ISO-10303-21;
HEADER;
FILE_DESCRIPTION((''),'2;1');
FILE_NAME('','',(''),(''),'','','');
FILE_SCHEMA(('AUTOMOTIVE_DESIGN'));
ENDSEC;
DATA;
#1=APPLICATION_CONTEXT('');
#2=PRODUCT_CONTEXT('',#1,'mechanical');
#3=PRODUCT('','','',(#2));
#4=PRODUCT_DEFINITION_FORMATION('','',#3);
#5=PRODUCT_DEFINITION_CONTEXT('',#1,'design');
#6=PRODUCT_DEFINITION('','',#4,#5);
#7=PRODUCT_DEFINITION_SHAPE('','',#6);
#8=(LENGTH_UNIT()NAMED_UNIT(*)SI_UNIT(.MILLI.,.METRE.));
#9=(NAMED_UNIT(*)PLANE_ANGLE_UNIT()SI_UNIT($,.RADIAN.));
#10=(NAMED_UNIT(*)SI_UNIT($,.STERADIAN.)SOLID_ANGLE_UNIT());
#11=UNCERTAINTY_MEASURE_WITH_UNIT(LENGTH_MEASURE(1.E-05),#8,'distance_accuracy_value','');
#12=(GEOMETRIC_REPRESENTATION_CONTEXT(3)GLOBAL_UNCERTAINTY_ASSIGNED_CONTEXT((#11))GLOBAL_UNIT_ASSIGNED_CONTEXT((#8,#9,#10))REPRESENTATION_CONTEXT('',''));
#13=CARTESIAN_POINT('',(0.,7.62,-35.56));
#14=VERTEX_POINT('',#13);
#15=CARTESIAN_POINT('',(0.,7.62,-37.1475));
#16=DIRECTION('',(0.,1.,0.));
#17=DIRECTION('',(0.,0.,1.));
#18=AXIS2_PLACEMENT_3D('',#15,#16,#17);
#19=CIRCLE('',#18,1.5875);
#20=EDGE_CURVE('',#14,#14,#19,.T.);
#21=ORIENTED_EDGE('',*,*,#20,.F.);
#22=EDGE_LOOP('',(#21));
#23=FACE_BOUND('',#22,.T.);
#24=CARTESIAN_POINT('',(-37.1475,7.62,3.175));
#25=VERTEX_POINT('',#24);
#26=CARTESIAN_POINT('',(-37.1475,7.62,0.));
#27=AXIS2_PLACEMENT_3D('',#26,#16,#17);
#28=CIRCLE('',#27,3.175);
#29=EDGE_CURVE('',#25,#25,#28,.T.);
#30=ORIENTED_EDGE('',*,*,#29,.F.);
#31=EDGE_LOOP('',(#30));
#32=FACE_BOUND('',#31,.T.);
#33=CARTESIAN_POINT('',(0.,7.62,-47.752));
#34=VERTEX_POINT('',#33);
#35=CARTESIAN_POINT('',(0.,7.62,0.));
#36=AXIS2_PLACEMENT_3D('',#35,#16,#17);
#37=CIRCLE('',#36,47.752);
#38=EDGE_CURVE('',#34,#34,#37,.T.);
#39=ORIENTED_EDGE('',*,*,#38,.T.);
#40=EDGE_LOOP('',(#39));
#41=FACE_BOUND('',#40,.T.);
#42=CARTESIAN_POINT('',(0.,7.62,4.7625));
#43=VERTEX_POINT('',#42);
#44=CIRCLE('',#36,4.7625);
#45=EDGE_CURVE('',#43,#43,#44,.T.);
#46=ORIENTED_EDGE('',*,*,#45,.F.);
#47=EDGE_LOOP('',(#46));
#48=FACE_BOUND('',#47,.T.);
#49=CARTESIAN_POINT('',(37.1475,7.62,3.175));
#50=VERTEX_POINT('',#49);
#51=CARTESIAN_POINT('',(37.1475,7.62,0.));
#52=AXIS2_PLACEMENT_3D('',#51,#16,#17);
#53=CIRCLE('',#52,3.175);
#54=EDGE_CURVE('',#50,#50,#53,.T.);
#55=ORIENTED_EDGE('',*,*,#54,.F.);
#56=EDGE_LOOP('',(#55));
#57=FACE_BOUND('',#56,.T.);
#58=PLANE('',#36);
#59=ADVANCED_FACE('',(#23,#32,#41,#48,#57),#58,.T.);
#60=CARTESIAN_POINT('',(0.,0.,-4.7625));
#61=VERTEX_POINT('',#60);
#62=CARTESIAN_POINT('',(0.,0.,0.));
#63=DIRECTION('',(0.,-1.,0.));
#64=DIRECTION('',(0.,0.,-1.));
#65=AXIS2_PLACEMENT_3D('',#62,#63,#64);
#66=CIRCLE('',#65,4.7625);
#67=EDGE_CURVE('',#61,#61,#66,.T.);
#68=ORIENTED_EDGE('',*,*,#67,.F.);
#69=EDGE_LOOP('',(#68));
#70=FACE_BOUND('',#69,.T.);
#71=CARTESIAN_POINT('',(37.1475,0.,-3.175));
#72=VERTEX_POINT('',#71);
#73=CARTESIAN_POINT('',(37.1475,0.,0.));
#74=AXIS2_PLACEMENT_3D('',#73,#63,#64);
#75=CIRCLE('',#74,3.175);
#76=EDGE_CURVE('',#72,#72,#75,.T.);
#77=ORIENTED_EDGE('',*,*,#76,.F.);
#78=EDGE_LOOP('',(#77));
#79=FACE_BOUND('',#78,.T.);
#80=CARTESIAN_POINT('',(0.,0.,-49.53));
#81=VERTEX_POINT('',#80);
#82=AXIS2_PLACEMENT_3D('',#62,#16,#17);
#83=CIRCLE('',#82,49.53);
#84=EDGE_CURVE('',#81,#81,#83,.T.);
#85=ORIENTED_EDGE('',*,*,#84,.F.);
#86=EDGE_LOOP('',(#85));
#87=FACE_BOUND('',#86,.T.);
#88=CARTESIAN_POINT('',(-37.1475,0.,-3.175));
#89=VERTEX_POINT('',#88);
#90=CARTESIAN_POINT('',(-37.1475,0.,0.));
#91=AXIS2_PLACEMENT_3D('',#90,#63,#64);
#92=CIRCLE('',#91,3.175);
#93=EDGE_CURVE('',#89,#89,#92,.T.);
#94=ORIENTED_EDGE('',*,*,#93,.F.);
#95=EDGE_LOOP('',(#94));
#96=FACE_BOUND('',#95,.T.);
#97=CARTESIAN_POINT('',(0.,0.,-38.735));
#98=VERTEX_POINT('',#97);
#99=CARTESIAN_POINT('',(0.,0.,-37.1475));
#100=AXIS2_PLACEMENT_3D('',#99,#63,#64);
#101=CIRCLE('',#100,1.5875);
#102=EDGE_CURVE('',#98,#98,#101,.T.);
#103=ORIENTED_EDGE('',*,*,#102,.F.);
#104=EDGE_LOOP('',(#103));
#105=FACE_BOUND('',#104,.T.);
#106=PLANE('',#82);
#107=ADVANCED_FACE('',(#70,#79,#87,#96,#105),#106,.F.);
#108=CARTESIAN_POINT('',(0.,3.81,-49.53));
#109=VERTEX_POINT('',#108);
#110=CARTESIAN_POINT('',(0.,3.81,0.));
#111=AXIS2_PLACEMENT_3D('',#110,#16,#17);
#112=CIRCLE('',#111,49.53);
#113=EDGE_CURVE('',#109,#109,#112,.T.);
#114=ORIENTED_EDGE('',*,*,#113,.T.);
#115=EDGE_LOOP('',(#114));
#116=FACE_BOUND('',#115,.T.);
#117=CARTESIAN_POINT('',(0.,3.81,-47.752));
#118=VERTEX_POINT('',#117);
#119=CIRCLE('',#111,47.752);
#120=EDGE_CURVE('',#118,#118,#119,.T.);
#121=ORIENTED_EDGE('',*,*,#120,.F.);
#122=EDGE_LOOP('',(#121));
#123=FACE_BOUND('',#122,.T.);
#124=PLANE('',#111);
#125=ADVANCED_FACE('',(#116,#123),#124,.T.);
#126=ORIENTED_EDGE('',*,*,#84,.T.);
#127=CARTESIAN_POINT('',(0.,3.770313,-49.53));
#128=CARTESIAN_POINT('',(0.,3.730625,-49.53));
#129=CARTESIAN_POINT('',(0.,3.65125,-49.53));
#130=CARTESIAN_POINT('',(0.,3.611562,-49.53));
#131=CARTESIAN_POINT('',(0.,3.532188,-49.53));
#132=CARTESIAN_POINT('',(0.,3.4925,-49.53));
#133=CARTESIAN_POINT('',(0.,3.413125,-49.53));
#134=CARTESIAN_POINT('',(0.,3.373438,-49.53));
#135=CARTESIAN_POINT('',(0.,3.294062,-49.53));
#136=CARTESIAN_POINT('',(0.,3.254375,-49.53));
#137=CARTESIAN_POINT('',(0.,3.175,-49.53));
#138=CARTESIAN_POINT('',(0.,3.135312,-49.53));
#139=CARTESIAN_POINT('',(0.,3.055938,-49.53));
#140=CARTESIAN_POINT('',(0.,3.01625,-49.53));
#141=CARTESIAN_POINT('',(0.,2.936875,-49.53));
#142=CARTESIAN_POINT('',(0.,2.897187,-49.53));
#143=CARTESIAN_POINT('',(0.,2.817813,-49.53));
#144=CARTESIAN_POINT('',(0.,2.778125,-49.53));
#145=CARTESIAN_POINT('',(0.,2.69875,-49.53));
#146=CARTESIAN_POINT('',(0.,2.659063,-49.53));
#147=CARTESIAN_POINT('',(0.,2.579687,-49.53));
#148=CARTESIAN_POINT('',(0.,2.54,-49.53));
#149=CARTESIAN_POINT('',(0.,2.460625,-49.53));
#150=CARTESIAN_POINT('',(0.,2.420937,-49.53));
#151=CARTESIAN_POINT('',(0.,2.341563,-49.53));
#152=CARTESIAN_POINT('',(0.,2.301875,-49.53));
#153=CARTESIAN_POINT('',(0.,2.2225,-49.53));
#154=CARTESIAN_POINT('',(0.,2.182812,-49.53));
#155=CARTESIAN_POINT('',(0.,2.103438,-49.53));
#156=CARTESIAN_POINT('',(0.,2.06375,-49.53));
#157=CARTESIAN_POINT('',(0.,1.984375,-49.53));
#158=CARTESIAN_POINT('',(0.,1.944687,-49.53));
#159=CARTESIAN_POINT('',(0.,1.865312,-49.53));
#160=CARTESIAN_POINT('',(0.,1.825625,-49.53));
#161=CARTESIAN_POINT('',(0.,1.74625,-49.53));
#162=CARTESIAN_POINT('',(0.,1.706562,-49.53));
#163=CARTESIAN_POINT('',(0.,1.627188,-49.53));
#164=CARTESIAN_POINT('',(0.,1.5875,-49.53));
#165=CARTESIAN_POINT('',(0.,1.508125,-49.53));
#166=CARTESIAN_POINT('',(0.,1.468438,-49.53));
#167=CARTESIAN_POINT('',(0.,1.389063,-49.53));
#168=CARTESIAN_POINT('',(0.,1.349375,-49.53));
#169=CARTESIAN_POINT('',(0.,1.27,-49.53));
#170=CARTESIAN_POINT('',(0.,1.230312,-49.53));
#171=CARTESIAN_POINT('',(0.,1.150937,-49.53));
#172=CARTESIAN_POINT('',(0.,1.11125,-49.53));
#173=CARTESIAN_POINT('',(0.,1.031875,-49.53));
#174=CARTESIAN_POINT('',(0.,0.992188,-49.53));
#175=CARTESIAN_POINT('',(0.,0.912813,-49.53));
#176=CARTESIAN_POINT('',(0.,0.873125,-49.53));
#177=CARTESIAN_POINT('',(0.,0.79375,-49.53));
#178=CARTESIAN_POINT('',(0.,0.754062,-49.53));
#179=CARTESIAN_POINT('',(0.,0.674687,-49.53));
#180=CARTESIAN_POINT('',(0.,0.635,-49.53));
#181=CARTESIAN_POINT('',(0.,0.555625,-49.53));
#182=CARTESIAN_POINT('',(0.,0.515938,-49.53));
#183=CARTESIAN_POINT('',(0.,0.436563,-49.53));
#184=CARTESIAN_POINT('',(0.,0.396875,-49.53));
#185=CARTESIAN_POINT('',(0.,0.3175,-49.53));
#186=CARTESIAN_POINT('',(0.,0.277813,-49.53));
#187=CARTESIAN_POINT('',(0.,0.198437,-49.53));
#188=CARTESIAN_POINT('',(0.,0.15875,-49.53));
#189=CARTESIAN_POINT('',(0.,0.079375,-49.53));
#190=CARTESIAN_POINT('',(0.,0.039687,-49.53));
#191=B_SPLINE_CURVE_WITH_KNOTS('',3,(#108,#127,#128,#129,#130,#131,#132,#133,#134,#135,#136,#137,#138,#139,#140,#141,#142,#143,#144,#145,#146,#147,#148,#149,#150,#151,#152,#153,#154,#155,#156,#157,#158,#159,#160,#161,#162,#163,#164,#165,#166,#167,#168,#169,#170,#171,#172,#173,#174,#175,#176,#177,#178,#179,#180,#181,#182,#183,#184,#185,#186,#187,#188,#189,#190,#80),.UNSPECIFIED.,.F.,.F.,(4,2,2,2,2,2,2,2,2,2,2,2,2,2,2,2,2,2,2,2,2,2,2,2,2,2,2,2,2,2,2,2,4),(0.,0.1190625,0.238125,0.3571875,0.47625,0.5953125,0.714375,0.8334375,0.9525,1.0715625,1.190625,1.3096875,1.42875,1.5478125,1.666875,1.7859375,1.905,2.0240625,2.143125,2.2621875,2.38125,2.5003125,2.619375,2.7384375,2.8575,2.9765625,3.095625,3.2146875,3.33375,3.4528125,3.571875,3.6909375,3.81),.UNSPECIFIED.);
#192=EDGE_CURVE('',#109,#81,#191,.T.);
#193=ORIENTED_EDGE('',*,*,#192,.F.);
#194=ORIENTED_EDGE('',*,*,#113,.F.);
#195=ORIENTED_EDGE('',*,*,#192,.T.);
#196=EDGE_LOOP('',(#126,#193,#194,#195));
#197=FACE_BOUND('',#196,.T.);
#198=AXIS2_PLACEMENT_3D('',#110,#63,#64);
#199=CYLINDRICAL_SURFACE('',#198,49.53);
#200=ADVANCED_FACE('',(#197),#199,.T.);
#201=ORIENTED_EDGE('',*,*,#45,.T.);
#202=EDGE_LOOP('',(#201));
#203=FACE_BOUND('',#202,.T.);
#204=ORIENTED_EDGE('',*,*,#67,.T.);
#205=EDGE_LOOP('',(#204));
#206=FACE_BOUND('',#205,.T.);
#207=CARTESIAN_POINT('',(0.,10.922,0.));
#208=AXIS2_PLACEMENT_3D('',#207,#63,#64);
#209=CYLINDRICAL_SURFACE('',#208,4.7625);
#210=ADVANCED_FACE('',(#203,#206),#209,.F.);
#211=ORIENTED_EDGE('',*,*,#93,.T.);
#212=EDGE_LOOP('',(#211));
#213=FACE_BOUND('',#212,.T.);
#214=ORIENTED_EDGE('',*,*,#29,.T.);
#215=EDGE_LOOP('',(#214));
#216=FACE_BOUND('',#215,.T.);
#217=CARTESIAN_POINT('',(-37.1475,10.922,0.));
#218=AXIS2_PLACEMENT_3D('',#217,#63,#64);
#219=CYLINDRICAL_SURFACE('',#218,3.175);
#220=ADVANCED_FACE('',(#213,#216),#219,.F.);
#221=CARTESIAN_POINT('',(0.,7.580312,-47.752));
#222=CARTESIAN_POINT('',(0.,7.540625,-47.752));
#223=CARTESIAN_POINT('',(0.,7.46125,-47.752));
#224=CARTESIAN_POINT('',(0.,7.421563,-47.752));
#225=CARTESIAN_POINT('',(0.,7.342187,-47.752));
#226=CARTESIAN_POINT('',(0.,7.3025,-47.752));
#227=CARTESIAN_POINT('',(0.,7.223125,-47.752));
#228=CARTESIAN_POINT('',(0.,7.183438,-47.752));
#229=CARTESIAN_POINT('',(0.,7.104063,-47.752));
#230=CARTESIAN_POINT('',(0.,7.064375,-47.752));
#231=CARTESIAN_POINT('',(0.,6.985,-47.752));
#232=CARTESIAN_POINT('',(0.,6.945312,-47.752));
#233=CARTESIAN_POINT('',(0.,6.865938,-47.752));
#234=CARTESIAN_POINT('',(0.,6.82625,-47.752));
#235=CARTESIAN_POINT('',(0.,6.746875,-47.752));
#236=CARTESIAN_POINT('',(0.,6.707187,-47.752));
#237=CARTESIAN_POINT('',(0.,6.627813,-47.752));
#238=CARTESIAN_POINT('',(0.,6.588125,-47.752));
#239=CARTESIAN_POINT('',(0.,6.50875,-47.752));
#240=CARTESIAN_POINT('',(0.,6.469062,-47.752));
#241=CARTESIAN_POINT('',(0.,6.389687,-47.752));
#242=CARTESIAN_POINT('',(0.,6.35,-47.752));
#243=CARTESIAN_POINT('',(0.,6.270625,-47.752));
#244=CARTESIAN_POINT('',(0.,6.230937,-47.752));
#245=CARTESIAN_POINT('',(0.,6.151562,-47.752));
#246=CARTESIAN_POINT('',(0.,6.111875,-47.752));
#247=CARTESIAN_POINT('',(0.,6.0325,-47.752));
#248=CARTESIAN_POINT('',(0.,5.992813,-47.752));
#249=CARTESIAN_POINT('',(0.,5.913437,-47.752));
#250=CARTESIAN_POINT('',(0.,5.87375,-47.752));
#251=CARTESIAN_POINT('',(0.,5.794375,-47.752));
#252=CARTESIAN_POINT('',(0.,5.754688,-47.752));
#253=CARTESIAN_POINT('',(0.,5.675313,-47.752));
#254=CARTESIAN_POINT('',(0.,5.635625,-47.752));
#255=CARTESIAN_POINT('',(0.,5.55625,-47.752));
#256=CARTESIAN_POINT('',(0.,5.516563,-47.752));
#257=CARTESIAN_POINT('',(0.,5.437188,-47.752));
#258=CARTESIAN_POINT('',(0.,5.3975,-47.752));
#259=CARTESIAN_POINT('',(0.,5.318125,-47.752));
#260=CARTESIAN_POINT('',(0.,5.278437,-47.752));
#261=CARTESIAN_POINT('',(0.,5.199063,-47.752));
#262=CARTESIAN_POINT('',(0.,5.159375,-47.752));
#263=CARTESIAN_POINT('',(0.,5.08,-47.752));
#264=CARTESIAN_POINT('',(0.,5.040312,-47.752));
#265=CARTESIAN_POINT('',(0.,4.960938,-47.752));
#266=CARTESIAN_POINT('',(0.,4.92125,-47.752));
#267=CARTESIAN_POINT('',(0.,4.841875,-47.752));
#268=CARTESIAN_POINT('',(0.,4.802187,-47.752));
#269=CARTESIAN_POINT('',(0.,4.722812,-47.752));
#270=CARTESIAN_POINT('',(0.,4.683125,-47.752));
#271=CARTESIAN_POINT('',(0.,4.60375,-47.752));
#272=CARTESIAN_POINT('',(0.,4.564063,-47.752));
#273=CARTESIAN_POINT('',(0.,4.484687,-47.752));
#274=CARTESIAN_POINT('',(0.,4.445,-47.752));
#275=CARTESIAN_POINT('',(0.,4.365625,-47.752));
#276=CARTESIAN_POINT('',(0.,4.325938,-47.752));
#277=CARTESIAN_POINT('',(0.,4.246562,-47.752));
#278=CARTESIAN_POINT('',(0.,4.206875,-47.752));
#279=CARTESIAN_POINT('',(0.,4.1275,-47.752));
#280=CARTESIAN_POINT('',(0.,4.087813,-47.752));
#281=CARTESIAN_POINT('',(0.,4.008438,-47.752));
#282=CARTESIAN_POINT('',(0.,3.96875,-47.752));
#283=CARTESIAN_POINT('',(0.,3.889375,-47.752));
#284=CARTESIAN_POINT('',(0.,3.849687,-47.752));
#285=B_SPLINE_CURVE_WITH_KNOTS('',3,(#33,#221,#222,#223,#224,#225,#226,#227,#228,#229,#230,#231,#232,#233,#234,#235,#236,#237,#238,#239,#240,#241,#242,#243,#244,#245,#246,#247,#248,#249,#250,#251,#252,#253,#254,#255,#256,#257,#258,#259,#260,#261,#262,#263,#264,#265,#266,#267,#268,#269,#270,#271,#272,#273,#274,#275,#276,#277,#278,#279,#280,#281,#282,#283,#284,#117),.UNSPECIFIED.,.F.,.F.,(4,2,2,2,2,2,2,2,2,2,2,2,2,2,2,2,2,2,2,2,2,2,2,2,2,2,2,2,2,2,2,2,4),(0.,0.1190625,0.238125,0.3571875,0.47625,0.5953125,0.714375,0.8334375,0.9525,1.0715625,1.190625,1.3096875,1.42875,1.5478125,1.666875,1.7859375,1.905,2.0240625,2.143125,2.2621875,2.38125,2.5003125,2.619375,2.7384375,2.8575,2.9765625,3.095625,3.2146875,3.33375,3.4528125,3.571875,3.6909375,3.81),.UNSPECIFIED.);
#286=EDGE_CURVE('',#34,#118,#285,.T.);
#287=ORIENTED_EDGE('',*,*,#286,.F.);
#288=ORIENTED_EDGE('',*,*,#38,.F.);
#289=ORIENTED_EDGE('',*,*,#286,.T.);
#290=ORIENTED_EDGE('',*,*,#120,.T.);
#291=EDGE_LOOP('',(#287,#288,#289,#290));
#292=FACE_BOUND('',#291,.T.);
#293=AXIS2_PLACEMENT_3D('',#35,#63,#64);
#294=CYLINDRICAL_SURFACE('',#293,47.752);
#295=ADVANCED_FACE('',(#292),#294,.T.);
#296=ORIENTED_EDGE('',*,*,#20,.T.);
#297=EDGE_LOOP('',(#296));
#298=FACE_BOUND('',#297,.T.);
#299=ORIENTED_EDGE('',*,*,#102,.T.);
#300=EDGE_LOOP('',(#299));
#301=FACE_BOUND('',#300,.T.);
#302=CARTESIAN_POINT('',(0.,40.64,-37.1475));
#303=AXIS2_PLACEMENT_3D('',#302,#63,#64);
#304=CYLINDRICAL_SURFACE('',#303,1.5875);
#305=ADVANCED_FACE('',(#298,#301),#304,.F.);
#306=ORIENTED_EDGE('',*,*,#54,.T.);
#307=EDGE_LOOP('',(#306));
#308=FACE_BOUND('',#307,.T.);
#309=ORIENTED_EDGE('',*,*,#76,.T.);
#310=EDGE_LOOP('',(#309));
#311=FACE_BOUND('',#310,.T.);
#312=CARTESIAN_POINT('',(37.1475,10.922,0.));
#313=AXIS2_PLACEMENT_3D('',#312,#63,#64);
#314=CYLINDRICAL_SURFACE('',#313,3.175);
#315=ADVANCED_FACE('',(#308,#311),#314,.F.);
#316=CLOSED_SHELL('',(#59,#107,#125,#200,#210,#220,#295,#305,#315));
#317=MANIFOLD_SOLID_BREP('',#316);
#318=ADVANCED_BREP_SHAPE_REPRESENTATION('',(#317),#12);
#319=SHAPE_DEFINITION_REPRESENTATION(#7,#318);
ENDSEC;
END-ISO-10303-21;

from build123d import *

# Parameters (mm, degrees)
SKETCH9_R           = 49.53
BOSS_EXTRUDE1_DEPTH = 3.81
SKETCH10_R          = 47.752
BOSS_EXTRUDE2_DEPTH = 3.81
SKETCH11_R          = 3.175
SKETCH11_R_2        = 4.7625
CUT_EXTRUDE1_DEPTH  = 10.922
SKETCH11_3_R        = 3.175
SKETCH11_3_R_2      = 1.5875
CUT_EXTRUDE2_DEPTH  = 40.64


with BuildPart() as part:
    # Sketch9 → Boss-Extrude1 (new body)
    with BuildSketch(Plane(origin=(0, 0, 0), x_dir=(1, 0, 0), z_dir=(0, 1, 0))):
        Circle(SKETCH9_R)
    extrude(amount=BOSS_EXTRUDE1_DEPTH)

    # Sketch10 → Boss-Extrude2 (add)
    with BuildSketch(Plane(origin=(0, 3.81, 0), x_dir=(1, 0, 0), z_dir=(0, 1, 0))):
        Circle(SKETCH10_R)
    extrude(amount=BOSS_EXTRUDE2_DEPTH)

    # Sketch11 → Cut-Extrude1 (cut)
    with BuildSketch(Plane(origin=(0, 0, 0), x_dir=(-1, 0, 0), z_dir=(0, -1, 0))):
        with Locations((37.1475, 0)):
            Circle(SKETCH11_R)
        with Locations((-37.1475, 0)):
            Circle(SKETCH11_R)
        Circle(SKETCH11_R_2)
    extrude(amount=-CUT_EXTRUDE1_DEPTH, mode=Mode.SUBTRACT)

    # Sketch11<3> → Cut-Extrude2 (cut)
    with BuildSketch(Plane(origin=(0, 0, 0), x_dir=(-1, 0, 0), z_dir=(0, -1, 0))):
        with Locations((37.1475, 0)):
            Circle(SKETCH11_3_R)
        with Locations((0, 37.1475)):
            Circle(SKETCH11_3_R_2)
        with Locations((-37.1475, 0)):
            Circle(SKETCH11_3_R)
    extrude(amount=-CUT_EXTRUDE2_DEPTH, mode=Mode.SUBTRACT)


solid = part.part
